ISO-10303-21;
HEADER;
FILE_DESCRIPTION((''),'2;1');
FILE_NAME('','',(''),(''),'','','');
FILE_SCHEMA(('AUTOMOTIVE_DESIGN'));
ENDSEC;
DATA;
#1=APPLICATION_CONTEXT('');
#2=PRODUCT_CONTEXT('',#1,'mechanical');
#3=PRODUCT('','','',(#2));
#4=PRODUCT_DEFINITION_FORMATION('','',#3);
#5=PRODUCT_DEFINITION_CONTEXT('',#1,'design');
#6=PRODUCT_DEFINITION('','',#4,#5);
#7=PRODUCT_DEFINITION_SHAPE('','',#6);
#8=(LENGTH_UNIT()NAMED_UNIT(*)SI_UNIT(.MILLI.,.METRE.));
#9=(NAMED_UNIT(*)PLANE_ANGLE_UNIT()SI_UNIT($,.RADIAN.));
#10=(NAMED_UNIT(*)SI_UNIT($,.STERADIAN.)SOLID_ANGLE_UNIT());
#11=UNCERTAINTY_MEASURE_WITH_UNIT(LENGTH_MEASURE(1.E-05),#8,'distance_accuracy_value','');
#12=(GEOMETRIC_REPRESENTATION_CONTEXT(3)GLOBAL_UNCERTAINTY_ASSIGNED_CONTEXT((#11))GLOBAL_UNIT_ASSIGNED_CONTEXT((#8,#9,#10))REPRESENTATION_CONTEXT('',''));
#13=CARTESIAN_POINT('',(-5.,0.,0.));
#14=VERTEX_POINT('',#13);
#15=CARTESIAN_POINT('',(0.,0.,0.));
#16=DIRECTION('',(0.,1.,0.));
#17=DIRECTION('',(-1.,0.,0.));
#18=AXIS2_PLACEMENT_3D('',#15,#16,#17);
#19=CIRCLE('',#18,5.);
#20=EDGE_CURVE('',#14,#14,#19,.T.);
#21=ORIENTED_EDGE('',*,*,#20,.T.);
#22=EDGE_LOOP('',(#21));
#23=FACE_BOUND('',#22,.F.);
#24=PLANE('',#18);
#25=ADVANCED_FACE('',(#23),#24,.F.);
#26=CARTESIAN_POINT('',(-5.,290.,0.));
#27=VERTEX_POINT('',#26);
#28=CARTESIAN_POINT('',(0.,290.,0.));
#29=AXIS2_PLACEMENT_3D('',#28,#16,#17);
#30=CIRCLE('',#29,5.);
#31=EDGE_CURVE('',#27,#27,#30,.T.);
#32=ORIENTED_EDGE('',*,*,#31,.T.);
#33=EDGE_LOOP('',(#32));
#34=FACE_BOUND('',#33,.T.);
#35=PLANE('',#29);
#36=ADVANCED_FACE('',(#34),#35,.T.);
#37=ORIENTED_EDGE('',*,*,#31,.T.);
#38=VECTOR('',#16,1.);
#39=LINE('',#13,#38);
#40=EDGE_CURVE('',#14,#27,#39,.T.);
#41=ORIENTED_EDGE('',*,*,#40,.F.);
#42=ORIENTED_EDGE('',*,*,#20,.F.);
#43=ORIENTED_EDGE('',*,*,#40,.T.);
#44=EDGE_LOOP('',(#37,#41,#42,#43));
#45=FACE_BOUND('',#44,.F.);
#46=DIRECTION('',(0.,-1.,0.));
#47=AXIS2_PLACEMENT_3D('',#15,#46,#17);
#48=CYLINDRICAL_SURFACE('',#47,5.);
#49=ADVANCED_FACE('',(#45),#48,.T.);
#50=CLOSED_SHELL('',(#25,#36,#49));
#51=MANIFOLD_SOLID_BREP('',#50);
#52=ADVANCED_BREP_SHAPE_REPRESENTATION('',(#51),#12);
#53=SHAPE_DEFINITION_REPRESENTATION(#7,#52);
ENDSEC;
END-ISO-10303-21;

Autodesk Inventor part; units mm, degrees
ref_plane "YZ Plane" through (0, 0, 0) normal (1, 0, 0) x (0, 1, 0)
ref_plane "XZ Plane" through (0, 0, 0) normal (0, 1, 0) x (-1, 0, 0)
ref_plane "XY Plane" through (0, 0, 0) normal (0, 0, 1) x (1, 0, 0)
sketch "Sketch1" plane through (0, 0, 0) normal (0, 1, 0) x (-1, 0, 0)
  circle A0 centre (0, 0) radius 5
  dimension "d0" = 10
extrude "Extrusion1" add sketch "Sketch1" along normal blind 290
thread "Thread1" size "M10x1.5" class "6g" standard "ANSI Metric M Profile" full length
properties part number "M8x290"
